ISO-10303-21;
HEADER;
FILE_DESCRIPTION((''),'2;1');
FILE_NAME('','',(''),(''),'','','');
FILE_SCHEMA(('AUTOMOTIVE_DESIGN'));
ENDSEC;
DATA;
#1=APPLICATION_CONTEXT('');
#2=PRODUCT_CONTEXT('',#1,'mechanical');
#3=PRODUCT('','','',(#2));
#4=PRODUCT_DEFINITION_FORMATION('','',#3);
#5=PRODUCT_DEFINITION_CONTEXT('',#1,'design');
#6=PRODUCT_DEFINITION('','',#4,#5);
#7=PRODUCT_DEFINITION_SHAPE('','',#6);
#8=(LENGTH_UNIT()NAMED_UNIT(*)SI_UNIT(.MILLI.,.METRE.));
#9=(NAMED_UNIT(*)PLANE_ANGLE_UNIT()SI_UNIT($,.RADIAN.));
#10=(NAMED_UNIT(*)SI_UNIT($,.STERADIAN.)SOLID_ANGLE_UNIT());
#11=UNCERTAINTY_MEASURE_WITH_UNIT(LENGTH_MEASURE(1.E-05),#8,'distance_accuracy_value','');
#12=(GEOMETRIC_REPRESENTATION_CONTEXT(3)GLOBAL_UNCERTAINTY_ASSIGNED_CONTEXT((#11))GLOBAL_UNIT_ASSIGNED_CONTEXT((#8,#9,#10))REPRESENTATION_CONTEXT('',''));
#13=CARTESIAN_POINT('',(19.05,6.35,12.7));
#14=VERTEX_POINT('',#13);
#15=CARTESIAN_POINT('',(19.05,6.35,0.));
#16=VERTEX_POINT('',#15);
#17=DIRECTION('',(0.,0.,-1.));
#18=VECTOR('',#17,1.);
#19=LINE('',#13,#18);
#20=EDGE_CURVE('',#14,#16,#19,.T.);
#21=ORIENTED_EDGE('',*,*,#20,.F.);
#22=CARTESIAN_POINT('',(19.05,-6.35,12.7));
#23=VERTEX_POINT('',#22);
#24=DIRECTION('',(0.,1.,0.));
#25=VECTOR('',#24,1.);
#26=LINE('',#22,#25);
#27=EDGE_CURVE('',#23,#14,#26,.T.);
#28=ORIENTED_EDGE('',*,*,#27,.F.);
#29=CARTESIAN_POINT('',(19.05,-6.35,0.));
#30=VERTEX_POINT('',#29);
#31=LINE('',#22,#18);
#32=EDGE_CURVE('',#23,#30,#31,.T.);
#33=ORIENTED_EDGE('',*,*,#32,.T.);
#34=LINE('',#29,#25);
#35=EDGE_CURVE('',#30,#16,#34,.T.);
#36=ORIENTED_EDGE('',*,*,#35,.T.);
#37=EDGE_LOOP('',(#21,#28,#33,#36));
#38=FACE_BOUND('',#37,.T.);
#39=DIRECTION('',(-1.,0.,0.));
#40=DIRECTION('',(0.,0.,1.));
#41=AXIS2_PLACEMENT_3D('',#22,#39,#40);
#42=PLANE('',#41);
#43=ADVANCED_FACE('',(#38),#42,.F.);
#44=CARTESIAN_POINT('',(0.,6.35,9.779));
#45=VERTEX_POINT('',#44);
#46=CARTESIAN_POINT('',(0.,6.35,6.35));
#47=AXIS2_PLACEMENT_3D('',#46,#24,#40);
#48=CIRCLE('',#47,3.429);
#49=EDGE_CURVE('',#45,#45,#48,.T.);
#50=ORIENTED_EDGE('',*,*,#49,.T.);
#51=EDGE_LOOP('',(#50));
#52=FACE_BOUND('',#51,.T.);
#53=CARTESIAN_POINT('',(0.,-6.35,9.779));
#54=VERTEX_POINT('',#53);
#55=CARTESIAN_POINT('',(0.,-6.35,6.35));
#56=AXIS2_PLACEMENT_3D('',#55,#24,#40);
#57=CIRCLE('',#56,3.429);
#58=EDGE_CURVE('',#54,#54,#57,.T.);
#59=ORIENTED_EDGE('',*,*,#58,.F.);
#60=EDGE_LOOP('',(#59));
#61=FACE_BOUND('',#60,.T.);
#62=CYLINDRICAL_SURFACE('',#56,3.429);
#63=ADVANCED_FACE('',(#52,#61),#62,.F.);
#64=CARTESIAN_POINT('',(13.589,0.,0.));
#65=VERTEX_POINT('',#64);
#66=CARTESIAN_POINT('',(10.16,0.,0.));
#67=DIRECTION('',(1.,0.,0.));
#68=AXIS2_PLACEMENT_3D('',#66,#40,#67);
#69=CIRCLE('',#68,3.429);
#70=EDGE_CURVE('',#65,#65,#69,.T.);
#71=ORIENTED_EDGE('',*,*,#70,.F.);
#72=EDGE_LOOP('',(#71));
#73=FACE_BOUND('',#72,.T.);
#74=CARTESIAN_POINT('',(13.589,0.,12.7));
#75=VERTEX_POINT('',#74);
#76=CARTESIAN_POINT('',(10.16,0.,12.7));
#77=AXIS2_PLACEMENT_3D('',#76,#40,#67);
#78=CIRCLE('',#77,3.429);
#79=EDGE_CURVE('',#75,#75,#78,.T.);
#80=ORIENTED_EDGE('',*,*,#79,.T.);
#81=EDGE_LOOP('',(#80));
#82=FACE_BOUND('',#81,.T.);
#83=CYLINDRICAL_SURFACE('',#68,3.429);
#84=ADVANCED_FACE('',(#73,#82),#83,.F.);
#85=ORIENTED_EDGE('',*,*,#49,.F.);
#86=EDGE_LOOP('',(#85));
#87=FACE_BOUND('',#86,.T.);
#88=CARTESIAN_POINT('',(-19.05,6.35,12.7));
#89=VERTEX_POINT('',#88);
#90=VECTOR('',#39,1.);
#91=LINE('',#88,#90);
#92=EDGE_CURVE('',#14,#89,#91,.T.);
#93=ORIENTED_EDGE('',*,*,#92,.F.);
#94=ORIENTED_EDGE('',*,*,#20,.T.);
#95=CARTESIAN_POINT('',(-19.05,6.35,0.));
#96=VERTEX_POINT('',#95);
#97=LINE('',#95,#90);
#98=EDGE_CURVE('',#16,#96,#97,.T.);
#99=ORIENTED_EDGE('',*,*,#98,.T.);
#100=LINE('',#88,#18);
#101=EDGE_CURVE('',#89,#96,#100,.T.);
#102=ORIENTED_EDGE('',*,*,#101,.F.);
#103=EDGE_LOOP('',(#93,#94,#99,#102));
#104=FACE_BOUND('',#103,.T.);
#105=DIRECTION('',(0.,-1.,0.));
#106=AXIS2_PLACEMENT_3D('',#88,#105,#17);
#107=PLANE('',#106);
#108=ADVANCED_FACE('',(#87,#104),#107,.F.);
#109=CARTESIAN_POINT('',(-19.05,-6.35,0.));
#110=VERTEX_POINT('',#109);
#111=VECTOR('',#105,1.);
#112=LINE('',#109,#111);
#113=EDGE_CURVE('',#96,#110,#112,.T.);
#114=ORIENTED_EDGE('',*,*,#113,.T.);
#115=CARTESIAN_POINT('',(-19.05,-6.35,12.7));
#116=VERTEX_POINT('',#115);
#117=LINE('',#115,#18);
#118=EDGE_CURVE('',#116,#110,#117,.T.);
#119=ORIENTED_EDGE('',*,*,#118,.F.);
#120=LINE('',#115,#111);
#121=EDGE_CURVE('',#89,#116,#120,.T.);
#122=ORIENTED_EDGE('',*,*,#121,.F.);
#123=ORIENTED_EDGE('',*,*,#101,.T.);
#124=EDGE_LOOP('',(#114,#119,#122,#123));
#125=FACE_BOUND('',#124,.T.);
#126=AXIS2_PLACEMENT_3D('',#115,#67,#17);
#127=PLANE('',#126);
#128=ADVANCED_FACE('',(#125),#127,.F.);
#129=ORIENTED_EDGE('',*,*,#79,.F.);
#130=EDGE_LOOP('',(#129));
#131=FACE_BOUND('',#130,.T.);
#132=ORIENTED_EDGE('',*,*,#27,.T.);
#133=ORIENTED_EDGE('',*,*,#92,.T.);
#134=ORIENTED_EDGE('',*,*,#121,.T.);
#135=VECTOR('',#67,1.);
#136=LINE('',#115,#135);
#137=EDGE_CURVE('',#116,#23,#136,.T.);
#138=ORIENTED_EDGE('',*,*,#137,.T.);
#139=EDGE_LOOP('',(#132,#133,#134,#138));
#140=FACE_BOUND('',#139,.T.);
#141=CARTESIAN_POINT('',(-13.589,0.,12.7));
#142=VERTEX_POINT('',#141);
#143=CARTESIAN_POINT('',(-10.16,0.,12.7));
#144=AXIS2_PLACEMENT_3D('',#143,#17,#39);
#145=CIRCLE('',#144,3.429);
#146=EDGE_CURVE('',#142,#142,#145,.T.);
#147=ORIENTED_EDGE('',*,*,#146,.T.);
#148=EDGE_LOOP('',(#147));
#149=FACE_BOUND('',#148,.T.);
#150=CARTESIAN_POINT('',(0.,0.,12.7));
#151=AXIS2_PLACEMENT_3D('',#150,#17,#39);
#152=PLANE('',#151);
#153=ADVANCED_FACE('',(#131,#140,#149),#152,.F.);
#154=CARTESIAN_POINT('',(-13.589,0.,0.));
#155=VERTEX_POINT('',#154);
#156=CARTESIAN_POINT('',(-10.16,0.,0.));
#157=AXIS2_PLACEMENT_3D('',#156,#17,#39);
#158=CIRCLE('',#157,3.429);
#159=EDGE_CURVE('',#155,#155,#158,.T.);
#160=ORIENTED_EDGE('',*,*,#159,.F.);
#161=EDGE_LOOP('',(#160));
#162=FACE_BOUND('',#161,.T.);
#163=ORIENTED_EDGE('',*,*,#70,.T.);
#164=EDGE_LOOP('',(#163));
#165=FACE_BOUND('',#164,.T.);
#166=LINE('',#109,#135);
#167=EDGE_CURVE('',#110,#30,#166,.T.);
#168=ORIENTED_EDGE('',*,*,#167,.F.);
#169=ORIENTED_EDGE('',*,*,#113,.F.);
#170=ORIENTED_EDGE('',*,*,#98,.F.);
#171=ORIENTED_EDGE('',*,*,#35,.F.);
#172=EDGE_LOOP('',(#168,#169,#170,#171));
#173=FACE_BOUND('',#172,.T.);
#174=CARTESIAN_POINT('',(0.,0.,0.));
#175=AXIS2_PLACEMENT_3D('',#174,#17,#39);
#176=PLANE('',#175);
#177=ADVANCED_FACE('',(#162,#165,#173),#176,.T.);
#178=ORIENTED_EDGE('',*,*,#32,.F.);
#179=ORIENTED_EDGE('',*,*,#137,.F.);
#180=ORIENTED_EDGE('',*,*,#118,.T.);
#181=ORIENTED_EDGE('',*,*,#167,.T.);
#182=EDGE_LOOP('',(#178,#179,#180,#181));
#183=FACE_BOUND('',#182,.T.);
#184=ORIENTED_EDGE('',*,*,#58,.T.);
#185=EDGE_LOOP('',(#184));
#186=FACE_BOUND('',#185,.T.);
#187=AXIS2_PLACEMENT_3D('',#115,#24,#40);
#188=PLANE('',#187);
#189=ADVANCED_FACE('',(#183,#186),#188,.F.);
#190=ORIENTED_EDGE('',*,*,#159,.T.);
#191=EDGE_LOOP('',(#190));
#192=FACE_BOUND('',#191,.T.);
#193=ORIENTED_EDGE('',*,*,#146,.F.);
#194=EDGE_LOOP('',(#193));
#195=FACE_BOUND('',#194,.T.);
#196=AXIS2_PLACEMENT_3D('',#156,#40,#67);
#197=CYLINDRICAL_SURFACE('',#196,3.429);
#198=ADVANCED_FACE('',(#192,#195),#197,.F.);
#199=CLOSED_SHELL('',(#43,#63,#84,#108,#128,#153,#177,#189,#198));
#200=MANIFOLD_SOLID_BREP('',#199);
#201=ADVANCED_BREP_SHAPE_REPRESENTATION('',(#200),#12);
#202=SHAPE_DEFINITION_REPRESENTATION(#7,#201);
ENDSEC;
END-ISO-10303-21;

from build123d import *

# Parameters (mm, degrees)
SKETCH1_W           = 38.1
SKETCH1_H           = 12.7
BOSS_EXTRUDE1_DEPTH = 12.7
SKETCH2_R           = 3.429
CUT_EXTRUDE1_DEPTH  = 12.7
SKETCH3_R           = 3.429
CUT_EXTRUDE2_DEPTH  = 12.7


with BuildPart() as part:
    # Sketch1 → Boss-Extrude1 (new body)
    with BuildSketch(Plane.XY):
        Rectangle(SKETCH1_W, SKETCH1_H)
    extrude(amount=BOSS_EXTRUDE1_DEPTH)

    # Sketch2 → Cut-Extrude1 (cut)
    with BuildSketch(Plane.XY.offset(12.7)):
        with Locations((10.16, 0)):
            Circle(SKETCH2_R)
    cut_extrude1 = extrude(amount=-CUT_EXTRUDE1_DEPTH, mode=Mode.SUBTRACT)

    # Sketch3 → Cut-Extrude2 (cut)
    with BuildSketch(Plane(origin=(0, 6.35, 0), x_dir=(1, 0, 0), z_dir=(0, 1, 0))):
        with Locations(Location((0, -6.35, 0), (0, 0, 270))):
            Circle(SKETCH3_R)
    extrude(amount=-CUT_EXTRUDE2_DEPTH, mode=Mode.SUBTRACT)

    # Mirror1: Cut-Extrude1 across plane
    add(cut_extrude1.mirror(Plane(origin=(0, 0, 0), x_dir=(0, 0, 1), z_dir=(1, 0, 0))), mode=Mode.SUBTRACT)


solid = part.part
